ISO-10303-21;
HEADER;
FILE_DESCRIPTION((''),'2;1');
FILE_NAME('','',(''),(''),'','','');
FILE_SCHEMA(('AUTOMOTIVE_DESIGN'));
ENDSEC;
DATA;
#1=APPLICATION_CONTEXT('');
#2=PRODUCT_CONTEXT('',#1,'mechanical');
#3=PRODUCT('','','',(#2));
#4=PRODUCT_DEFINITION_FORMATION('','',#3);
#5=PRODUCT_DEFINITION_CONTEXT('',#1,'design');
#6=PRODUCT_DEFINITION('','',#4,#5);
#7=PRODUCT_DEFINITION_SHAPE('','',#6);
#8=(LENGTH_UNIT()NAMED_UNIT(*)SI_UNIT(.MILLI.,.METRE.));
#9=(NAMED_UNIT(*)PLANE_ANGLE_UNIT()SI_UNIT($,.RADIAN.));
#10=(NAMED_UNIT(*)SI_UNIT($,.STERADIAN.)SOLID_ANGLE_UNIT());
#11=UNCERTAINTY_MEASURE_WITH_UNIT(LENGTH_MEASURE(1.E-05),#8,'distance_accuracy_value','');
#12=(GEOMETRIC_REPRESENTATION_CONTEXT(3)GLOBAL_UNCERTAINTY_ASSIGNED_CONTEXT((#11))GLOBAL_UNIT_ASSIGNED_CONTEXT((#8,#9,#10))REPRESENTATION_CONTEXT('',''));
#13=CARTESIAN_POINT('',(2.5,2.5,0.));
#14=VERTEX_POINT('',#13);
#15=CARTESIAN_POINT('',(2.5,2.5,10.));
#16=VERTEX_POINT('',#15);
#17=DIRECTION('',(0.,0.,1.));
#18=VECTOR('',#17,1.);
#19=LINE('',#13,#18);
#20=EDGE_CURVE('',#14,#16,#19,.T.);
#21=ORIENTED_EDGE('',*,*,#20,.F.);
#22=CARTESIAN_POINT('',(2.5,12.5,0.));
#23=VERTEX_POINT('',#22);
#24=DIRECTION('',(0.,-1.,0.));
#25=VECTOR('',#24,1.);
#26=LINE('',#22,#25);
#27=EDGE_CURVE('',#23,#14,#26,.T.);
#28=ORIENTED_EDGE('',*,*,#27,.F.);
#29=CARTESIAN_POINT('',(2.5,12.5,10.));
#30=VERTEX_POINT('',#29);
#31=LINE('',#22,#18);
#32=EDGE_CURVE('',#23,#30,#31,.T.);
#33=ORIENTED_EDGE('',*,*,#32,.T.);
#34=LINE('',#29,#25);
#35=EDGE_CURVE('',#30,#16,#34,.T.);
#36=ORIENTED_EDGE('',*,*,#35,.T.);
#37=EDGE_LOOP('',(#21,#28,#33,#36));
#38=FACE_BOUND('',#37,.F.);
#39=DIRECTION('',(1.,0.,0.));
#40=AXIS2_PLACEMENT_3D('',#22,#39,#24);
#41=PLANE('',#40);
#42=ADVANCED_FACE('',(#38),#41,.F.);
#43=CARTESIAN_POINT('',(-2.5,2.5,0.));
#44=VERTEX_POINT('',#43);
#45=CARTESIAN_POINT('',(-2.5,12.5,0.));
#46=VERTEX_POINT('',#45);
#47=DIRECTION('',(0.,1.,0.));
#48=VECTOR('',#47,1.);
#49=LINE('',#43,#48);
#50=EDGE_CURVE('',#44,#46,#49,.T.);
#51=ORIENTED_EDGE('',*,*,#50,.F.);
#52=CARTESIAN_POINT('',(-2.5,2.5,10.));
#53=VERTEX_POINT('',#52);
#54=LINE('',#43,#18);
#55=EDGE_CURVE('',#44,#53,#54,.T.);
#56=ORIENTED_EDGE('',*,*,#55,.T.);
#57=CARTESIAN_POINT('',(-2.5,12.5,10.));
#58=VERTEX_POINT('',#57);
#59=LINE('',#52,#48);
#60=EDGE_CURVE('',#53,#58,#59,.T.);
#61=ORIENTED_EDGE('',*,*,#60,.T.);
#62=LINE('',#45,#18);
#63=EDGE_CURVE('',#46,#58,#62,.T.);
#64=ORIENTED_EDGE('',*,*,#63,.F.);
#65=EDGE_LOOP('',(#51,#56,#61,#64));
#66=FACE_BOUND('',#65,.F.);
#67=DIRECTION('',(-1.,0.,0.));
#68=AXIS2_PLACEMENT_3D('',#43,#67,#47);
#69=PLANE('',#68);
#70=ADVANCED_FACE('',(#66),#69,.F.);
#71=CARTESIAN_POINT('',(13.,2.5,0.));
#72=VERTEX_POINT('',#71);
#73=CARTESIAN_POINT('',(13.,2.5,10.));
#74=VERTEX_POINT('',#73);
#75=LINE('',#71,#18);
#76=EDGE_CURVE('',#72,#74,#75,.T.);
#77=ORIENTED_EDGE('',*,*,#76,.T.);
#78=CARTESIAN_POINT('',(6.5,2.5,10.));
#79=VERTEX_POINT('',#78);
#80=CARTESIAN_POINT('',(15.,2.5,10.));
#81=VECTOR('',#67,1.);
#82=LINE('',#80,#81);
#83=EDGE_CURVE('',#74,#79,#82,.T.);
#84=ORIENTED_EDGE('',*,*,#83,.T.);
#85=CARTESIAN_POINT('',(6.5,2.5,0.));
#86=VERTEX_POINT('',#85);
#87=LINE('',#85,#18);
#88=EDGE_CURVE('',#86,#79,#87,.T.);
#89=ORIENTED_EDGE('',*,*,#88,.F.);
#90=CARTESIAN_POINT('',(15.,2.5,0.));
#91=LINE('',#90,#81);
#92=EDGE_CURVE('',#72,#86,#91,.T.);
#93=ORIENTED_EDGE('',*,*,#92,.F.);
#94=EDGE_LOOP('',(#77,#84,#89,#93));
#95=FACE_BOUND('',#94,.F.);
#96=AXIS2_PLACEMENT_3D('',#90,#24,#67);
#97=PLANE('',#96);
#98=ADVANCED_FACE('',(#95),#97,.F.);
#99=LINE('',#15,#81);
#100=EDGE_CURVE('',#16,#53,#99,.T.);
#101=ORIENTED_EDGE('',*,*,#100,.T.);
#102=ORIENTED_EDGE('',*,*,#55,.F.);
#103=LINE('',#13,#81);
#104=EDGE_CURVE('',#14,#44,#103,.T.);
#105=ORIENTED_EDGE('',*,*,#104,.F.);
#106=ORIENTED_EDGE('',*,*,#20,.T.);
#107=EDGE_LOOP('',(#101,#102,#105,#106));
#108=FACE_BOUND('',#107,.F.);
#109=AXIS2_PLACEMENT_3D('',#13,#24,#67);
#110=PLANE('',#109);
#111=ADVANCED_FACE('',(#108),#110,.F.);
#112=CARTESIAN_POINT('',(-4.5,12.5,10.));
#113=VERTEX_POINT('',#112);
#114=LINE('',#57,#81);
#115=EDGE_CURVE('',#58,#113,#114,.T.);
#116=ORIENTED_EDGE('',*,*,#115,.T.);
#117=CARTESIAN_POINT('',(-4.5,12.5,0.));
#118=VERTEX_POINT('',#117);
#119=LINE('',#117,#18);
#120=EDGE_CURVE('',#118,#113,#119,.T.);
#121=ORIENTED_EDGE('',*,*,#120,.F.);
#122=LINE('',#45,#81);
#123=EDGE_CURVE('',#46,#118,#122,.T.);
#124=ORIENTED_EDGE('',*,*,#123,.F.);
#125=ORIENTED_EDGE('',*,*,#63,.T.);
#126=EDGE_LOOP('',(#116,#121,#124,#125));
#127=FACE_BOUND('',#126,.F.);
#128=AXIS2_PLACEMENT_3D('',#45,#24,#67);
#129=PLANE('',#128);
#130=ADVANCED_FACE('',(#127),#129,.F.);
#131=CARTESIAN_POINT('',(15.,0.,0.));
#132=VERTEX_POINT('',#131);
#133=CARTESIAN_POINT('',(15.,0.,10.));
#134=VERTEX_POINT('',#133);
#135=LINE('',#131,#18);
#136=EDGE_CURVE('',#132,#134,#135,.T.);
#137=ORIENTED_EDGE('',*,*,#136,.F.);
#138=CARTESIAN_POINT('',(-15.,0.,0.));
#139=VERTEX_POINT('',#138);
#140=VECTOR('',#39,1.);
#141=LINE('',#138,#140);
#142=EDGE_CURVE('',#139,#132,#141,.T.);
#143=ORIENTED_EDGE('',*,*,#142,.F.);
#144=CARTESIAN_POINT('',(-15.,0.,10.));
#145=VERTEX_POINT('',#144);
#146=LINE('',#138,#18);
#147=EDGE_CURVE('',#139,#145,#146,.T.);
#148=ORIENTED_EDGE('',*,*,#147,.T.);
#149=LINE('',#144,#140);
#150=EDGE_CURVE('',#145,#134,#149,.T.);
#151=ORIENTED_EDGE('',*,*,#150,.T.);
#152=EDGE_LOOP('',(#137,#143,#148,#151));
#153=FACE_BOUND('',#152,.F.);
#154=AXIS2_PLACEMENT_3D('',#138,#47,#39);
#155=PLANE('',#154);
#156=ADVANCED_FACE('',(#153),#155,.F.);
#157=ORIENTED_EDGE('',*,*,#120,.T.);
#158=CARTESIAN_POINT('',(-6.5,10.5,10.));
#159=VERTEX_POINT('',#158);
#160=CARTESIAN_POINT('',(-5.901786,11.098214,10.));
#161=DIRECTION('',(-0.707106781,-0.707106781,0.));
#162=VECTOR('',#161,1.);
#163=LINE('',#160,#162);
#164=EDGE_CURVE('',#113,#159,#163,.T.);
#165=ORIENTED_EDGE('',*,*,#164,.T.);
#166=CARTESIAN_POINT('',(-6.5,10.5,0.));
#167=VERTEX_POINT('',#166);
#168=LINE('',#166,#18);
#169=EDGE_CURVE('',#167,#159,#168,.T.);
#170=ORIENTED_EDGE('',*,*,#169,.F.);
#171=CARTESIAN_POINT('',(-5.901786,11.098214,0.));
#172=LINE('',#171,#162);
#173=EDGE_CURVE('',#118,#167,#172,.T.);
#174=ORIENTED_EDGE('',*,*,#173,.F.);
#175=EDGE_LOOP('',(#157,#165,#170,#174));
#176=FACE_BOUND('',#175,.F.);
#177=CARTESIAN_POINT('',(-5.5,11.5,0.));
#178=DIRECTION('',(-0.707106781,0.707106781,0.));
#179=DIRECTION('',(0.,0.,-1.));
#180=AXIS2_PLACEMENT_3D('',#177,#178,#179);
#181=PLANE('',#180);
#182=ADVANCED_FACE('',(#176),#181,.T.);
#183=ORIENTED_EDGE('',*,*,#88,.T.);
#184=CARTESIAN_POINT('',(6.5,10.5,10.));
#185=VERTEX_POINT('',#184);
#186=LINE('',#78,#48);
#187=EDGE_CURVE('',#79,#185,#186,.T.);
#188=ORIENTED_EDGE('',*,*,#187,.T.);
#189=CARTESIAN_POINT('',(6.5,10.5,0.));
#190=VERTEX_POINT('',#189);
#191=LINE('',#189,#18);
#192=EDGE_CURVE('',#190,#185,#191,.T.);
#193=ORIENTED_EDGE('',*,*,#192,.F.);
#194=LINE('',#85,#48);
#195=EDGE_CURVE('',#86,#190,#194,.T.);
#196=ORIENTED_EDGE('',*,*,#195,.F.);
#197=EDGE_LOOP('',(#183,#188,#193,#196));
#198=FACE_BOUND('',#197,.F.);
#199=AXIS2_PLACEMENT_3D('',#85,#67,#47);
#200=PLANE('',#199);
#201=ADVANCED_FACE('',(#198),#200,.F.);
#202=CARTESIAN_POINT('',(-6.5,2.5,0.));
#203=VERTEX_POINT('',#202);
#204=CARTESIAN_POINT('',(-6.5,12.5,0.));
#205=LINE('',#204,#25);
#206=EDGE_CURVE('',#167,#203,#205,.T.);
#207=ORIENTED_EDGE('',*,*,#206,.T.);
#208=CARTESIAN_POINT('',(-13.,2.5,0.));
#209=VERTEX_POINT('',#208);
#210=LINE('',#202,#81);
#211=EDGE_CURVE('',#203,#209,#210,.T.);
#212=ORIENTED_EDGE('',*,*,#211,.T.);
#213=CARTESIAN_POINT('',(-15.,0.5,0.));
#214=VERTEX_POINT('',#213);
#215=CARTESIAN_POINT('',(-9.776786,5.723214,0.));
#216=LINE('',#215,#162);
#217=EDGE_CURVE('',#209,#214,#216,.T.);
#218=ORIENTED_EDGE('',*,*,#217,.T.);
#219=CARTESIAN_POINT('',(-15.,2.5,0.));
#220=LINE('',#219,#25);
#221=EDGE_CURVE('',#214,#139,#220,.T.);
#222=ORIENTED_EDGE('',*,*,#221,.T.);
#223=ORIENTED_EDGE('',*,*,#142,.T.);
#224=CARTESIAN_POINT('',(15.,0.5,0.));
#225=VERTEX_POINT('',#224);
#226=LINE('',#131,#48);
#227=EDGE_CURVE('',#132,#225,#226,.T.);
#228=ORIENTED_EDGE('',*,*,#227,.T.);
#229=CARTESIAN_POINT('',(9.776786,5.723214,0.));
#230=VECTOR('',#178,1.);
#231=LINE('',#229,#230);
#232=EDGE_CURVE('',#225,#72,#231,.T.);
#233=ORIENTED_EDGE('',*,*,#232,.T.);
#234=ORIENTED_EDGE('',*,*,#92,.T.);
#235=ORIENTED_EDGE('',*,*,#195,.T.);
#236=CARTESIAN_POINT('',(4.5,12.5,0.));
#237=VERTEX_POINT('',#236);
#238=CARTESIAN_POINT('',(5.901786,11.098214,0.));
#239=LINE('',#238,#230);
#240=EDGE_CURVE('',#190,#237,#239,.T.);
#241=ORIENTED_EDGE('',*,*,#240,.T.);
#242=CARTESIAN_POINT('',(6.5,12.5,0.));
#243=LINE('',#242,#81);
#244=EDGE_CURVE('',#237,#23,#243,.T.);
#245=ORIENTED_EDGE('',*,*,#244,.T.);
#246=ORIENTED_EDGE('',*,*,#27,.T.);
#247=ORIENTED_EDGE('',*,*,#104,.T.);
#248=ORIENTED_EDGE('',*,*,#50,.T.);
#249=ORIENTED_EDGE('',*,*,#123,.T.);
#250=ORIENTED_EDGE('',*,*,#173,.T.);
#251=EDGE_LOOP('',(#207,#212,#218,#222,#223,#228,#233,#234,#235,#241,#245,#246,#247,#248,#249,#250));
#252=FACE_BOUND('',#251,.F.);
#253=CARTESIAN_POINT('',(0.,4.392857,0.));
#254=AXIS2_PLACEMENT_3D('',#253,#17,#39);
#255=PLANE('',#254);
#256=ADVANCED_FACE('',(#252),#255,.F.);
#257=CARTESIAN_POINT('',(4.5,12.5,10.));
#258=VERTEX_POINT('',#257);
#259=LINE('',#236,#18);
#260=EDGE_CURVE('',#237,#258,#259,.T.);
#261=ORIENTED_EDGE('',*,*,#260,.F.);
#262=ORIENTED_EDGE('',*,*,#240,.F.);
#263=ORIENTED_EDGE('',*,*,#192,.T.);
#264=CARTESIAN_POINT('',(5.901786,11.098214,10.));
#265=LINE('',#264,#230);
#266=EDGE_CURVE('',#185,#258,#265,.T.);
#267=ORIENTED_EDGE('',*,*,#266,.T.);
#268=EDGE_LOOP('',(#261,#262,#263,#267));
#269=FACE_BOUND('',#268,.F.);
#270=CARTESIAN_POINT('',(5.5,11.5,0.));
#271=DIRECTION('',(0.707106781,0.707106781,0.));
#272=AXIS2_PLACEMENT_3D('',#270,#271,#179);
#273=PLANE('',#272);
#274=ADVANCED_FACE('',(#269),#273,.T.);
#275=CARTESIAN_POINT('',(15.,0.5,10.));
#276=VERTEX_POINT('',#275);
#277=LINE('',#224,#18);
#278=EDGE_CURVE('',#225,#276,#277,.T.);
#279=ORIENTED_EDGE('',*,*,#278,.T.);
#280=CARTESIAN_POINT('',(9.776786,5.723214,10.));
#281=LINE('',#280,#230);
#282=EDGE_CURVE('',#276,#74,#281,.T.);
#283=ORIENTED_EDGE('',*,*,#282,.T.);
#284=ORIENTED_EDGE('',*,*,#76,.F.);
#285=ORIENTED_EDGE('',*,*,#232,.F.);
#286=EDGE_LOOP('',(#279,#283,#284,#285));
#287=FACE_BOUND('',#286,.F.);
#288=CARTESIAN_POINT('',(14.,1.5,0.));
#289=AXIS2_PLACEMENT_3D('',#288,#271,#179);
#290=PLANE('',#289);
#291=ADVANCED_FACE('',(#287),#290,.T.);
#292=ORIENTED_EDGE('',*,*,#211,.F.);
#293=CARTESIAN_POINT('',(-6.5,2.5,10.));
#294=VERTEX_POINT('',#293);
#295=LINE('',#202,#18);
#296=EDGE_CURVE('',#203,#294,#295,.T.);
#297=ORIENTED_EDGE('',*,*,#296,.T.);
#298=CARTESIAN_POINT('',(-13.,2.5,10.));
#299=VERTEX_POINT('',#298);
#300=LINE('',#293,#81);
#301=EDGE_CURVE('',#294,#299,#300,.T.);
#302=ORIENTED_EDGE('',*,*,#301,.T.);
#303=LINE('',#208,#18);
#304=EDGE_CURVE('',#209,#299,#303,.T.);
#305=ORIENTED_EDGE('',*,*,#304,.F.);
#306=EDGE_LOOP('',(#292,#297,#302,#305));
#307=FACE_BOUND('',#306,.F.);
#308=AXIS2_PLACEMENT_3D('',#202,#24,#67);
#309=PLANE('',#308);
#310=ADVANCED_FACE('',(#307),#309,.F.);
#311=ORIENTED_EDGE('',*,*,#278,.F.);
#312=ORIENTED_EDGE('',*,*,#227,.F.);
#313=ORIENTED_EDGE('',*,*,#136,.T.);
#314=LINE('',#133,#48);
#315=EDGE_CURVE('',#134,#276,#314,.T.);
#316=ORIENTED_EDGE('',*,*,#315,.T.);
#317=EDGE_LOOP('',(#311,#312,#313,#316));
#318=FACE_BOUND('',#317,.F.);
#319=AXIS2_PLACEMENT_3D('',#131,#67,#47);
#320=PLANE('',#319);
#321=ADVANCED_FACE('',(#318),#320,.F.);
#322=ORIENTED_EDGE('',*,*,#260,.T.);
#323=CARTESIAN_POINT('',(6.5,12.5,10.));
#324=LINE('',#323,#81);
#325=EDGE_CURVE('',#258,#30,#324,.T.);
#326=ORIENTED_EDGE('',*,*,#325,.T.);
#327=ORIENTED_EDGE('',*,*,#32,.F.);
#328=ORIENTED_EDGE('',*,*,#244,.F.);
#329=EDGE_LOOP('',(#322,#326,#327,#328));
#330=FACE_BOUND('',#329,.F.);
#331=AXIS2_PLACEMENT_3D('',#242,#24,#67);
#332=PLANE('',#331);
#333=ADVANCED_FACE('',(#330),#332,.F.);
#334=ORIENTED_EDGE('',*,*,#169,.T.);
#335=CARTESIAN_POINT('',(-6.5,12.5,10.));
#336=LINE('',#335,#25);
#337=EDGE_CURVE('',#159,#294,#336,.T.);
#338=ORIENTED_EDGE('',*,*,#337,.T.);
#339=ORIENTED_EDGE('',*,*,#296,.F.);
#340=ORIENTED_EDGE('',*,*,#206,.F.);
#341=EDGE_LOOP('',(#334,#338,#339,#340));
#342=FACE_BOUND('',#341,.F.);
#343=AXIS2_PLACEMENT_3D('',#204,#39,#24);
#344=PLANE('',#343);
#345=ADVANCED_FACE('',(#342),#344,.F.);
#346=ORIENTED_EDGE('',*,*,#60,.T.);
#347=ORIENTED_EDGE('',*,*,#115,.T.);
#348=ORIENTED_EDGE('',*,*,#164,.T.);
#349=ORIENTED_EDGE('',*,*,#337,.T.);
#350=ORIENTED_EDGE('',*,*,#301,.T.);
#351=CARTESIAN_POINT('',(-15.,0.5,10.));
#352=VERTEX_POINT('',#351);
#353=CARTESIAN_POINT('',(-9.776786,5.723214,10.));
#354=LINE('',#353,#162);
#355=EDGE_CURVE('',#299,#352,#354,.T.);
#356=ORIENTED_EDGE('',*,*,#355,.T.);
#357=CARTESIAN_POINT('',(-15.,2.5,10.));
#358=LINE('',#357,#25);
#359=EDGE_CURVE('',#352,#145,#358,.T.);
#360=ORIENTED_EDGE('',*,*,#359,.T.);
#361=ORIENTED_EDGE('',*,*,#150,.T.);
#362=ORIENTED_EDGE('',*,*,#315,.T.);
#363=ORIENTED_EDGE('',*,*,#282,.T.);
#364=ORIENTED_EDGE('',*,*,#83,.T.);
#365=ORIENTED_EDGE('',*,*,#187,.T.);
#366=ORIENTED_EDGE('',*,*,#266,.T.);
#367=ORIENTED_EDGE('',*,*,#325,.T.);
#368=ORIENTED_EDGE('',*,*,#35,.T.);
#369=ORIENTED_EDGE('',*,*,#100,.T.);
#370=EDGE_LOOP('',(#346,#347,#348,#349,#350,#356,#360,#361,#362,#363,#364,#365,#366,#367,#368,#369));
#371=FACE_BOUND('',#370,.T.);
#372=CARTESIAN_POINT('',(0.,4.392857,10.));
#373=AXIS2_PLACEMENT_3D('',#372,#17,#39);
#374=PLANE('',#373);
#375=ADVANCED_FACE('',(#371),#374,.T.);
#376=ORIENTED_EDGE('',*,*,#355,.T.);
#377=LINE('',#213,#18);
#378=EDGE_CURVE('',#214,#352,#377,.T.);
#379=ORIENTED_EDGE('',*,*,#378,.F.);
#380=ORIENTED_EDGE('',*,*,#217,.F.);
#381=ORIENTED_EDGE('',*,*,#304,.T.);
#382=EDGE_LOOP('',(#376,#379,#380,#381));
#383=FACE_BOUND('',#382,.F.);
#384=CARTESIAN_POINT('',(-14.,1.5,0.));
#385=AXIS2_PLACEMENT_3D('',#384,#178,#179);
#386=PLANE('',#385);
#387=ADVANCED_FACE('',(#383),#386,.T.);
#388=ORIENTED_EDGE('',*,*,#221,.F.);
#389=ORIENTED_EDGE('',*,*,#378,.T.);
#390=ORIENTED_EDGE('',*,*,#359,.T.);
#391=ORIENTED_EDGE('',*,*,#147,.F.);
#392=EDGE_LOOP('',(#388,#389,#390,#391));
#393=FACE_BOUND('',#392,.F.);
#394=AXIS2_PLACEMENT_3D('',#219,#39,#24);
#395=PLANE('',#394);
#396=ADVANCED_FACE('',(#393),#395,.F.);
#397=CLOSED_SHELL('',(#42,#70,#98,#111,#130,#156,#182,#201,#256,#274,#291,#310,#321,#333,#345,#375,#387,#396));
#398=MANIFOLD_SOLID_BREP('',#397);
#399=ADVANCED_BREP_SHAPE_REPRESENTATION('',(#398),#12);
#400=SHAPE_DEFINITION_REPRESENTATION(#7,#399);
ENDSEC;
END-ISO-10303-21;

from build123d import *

# Parameters (mm, degrees)
F1_DEPTH = 10
F2_SIZE  = 2


with BuildPart() as f1:
    # F0 (on Top) → F1 (new body)
    with BuildSketch(Plane.XY):
        Polygon((-15, 0), (0, 0), (15, 0), (15, 2.5), (6.5, 2.5), (6.5, 12.5), (2.5, 12.5), (2.5, 2.5), (0, 2.5), (-2.5, 2.5), (-2.5, 12.5), (-6.5, 12.5), (-6.5, 2.5), (-15, 2.5), align=None)
    extrude(amount=F1_DEPTH)

    # F2
    f2_edges = [f1.edges().sort_by_distance(p)[0] for p in [
        (-6.5, 12.5, 5),
        (-15, 2.5, 5),
        (6.5, 12.5, 5),
        (15, 2.5, 5),
    ]]
    chamfer(f2_edges, length=F2_SIZE)


solid = f1.part
